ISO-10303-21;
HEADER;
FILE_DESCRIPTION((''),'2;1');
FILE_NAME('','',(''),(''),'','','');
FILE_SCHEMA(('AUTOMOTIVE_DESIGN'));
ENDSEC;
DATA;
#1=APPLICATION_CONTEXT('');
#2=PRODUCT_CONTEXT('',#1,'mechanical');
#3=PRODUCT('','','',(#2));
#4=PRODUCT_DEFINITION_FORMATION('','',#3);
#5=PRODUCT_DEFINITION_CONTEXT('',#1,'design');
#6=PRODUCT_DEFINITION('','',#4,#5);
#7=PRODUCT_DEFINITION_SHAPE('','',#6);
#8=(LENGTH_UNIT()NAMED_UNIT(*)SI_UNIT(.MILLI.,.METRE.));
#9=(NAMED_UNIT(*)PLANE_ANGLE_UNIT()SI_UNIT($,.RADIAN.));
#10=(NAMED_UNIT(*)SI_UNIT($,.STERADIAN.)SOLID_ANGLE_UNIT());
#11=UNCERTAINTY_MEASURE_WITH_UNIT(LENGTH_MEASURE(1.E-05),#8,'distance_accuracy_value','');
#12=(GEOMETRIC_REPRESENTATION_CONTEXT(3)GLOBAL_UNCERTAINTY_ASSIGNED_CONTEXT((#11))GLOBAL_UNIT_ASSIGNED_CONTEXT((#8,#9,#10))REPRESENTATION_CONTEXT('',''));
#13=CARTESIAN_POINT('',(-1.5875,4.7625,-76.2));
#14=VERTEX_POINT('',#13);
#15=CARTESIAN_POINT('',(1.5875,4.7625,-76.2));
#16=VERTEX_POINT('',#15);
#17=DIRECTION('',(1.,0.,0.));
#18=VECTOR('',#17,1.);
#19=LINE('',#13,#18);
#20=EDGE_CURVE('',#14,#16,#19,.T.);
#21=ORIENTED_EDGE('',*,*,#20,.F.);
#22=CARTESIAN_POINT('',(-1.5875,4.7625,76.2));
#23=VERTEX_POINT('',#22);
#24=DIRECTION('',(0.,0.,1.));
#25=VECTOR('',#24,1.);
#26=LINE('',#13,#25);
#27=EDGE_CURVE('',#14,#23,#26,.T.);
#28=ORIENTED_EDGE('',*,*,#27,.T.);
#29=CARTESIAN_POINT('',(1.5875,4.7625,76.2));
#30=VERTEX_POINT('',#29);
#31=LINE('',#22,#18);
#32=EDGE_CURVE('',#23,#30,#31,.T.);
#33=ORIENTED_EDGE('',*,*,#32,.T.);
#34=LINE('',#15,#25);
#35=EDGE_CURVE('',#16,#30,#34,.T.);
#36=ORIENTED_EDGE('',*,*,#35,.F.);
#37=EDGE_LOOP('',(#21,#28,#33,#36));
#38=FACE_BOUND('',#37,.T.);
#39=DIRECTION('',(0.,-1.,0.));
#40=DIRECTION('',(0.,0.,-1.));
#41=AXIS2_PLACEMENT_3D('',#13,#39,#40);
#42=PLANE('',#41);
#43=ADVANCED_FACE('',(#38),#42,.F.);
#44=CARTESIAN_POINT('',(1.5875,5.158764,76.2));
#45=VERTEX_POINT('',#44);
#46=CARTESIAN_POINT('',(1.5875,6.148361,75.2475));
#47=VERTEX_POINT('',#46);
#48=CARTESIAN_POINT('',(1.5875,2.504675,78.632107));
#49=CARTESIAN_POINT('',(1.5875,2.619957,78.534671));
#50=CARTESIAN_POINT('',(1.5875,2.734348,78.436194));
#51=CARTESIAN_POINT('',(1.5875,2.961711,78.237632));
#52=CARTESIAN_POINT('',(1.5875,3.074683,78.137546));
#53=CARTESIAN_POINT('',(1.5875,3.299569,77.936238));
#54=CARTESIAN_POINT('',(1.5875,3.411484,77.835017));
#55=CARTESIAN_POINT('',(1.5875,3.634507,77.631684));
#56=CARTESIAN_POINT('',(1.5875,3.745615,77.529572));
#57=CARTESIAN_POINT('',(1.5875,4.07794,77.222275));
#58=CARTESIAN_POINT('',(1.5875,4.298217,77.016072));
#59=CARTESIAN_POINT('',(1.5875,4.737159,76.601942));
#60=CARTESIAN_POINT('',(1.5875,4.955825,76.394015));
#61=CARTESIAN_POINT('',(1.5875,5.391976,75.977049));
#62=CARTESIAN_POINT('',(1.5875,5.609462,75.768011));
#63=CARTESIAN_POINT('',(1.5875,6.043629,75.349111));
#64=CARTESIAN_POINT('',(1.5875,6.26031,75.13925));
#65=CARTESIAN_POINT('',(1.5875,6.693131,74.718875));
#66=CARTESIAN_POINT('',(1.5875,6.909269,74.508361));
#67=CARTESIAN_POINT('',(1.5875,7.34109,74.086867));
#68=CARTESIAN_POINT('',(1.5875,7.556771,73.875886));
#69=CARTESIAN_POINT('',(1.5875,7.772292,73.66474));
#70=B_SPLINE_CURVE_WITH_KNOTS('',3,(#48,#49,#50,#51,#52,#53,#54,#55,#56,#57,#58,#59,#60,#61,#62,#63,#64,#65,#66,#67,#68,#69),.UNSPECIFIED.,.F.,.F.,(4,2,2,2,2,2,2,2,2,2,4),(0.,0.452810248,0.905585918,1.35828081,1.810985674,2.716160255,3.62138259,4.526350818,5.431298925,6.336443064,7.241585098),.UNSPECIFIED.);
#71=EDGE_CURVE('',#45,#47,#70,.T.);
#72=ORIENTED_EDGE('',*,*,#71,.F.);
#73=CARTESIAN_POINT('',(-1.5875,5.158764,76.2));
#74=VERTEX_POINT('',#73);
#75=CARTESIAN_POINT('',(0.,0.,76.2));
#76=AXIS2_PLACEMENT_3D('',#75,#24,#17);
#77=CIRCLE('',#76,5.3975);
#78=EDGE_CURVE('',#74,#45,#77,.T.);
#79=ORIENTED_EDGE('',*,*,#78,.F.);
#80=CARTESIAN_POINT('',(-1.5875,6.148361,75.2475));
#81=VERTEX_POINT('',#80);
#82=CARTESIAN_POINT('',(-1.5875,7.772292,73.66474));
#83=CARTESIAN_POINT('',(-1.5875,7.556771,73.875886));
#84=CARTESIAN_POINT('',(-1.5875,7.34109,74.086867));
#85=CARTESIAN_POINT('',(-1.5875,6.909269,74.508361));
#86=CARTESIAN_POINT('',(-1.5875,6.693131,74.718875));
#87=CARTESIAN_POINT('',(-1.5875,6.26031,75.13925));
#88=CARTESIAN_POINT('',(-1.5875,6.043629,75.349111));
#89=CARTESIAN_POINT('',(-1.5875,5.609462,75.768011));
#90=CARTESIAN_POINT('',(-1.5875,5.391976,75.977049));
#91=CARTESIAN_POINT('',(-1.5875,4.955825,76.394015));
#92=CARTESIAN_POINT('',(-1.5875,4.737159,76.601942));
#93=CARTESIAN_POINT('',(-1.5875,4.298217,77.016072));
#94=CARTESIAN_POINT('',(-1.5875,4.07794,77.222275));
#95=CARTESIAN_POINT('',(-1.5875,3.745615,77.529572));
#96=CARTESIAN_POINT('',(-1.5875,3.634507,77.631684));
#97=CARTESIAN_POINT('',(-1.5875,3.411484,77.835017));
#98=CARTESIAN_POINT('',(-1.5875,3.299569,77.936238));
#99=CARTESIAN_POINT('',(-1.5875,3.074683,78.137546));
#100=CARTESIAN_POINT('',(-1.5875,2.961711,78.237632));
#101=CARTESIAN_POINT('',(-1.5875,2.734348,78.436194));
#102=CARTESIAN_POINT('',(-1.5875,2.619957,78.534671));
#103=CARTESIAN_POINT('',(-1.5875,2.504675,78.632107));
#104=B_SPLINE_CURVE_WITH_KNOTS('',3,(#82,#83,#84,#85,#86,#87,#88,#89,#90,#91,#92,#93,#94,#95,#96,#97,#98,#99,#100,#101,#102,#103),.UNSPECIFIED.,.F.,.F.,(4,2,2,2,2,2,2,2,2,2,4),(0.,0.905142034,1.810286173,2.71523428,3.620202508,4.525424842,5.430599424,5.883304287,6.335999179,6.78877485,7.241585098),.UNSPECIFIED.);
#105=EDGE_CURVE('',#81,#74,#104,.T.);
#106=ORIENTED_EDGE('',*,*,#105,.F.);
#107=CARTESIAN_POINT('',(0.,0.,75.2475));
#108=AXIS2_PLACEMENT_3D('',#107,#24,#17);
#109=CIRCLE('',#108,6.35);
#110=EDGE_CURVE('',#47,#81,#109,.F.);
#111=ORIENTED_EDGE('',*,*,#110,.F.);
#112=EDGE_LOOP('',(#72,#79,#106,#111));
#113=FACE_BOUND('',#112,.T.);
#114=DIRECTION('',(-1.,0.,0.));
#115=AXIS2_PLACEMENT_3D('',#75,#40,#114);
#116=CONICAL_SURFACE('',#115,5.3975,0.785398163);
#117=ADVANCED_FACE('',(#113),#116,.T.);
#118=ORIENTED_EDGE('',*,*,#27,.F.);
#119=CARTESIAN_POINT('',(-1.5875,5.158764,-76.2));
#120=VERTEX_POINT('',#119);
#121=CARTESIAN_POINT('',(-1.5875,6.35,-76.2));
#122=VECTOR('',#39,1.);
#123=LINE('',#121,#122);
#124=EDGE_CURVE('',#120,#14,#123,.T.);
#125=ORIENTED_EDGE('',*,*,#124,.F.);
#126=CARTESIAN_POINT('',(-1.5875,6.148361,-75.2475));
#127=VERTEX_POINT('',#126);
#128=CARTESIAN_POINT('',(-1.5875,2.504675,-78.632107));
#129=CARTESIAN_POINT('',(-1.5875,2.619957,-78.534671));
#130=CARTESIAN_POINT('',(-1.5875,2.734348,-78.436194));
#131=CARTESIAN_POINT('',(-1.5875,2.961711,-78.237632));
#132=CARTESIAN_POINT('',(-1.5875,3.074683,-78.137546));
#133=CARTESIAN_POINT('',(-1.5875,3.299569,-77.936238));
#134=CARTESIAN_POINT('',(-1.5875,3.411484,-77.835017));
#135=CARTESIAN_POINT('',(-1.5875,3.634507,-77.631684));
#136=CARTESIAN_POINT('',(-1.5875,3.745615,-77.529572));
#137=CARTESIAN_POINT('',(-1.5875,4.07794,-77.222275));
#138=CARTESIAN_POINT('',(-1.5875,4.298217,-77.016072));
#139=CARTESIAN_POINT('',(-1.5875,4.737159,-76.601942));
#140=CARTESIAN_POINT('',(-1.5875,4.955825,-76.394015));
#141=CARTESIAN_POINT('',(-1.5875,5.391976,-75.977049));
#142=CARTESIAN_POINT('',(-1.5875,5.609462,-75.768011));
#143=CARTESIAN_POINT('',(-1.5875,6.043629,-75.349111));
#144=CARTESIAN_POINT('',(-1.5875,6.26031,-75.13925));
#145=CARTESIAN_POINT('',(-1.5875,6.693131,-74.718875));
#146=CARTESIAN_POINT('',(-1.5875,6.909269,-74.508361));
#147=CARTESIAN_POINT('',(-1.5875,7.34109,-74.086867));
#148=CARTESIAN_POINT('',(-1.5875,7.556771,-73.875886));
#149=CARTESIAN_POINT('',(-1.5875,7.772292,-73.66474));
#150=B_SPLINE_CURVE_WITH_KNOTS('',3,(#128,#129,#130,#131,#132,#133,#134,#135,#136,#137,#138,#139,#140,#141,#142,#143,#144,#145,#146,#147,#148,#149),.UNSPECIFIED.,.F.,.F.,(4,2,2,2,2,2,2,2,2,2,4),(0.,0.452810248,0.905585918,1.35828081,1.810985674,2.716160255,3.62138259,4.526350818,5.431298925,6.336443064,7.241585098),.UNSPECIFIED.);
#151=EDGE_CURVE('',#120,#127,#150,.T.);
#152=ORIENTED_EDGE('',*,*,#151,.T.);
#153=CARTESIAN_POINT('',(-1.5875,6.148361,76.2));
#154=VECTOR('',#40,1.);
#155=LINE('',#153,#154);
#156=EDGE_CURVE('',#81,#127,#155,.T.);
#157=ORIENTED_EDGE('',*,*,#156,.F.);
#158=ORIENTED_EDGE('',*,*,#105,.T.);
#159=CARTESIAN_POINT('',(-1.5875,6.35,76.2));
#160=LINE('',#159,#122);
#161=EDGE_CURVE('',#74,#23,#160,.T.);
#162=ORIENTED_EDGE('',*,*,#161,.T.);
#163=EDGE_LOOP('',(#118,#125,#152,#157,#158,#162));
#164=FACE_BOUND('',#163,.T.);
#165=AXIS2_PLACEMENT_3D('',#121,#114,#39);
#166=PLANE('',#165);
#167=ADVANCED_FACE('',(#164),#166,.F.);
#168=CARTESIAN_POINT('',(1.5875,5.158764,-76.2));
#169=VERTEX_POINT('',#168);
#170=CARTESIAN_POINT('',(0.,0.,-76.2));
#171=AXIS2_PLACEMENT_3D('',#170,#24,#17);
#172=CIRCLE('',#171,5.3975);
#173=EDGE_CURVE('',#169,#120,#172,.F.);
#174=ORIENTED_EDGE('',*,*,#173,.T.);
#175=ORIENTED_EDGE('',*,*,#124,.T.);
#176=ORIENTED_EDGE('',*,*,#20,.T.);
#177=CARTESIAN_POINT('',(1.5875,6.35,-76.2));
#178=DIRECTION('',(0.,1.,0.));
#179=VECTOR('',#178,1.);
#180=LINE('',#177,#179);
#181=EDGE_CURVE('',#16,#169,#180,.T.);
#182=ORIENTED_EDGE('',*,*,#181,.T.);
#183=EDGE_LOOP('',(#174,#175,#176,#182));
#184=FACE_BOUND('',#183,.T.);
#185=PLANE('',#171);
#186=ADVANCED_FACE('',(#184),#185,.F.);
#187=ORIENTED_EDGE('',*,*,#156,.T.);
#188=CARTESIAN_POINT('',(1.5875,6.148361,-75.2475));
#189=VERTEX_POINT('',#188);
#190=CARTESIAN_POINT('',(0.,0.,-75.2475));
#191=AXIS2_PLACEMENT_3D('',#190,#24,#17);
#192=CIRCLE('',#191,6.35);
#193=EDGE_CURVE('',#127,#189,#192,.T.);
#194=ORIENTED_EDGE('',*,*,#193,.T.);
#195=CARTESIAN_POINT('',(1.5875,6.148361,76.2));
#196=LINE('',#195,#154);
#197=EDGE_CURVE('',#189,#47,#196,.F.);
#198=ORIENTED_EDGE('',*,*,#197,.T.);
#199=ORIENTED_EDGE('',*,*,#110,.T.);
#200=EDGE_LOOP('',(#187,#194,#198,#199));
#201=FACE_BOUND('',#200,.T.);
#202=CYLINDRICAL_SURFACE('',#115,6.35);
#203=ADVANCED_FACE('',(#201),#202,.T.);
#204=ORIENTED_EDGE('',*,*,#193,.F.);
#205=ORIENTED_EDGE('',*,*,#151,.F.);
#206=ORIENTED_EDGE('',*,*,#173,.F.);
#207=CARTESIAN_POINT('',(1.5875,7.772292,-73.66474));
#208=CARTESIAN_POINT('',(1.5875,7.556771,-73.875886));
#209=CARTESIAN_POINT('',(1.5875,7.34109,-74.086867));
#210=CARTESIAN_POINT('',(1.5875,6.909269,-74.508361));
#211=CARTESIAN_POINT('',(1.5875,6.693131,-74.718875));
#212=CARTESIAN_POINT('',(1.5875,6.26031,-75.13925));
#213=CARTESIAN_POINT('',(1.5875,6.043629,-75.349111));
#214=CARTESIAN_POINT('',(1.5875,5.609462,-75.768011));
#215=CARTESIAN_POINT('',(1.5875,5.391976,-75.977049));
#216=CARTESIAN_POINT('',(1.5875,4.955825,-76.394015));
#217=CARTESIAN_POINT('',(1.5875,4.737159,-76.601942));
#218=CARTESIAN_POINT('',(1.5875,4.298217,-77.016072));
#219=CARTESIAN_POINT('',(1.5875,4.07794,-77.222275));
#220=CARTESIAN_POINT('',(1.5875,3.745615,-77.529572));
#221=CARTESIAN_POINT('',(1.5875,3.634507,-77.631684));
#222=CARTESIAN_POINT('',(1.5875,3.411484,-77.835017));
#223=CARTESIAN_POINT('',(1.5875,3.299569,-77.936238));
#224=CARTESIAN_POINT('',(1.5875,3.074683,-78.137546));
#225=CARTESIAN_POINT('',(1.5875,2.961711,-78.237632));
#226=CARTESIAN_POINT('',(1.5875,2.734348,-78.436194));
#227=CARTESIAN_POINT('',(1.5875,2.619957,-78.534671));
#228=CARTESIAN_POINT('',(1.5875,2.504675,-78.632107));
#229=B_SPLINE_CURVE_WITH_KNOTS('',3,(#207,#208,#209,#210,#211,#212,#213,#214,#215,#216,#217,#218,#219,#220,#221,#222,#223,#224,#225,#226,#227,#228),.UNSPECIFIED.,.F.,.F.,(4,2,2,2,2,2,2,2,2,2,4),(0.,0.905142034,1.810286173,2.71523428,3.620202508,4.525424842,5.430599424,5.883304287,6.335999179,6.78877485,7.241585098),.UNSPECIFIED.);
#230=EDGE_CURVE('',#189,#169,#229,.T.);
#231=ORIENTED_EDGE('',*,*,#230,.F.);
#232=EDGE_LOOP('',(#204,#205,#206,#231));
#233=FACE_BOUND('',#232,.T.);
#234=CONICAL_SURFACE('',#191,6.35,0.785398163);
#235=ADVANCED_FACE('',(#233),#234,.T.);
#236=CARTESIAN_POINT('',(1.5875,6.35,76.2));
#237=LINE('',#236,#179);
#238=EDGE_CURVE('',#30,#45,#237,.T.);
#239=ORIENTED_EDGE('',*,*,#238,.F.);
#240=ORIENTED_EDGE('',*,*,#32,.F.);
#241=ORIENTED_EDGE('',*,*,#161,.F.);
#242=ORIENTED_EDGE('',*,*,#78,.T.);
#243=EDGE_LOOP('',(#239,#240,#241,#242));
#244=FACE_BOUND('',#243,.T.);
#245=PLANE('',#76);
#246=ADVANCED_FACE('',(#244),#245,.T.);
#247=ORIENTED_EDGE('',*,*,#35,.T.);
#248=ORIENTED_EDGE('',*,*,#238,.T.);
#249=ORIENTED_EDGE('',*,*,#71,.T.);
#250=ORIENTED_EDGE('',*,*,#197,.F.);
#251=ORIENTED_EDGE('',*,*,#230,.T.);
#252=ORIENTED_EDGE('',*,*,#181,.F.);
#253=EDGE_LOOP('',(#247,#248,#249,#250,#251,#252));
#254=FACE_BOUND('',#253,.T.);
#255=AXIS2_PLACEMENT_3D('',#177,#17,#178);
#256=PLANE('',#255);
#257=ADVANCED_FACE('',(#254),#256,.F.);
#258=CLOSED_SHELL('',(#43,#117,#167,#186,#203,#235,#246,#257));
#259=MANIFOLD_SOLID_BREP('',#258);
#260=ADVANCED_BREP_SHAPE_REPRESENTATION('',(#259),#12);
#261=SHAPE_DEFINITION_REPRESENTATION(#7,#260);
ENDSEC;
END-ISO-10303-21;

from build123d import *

# Parameters (mm, degrees)
SKETCH1_R           = 6.35
EXTRUDE1_DEPTH      = 76.2
CHAMFER1_SIZE       = 0.9525
SKETCH3_W           = 3.175
SKETCH3_H           = 1.5875
EXTRUDE2_DEPTH      = 77.2
EXTRUDE2_DEPTH_BACK = 77.2


with BuildPart() as part:
    # Sketch1 → Extrude1 (new body, symmetric)
    with BuildSketch(Plane.XY):
        Circle(SKETCH1_R)
    extrude(amount=EXTRUDE1_DEPTH, both=True)

    # Chamfer1
    chamfer1_edges = [part.edges().sort_by_distance(p)[0] for p in [
        (-6.35, 0, -76.2),
        (-6.35, 0, 76.2),
    ]]
    chamfer(chamfer1_edges, length=CHAMFER1_SIZE)

    # Sketch3 → Extrude2 (cut, two sides)
    with BuildSketch(Plane.XY) as extrude2_sk:
        with Locations((0, 5.55625)):
            Rectangle(SKETCH3_W, SKETCH3_H)
    extrude(amount=EXTRUDE2_DEPTH, mode=Mode.SUBTRACT)
    extrude(extrude2_sk.sketch, amount=-EXTRUDE2_DEPTH_BACK, mode=Mode.SUBTRACT)


solid = part.part
